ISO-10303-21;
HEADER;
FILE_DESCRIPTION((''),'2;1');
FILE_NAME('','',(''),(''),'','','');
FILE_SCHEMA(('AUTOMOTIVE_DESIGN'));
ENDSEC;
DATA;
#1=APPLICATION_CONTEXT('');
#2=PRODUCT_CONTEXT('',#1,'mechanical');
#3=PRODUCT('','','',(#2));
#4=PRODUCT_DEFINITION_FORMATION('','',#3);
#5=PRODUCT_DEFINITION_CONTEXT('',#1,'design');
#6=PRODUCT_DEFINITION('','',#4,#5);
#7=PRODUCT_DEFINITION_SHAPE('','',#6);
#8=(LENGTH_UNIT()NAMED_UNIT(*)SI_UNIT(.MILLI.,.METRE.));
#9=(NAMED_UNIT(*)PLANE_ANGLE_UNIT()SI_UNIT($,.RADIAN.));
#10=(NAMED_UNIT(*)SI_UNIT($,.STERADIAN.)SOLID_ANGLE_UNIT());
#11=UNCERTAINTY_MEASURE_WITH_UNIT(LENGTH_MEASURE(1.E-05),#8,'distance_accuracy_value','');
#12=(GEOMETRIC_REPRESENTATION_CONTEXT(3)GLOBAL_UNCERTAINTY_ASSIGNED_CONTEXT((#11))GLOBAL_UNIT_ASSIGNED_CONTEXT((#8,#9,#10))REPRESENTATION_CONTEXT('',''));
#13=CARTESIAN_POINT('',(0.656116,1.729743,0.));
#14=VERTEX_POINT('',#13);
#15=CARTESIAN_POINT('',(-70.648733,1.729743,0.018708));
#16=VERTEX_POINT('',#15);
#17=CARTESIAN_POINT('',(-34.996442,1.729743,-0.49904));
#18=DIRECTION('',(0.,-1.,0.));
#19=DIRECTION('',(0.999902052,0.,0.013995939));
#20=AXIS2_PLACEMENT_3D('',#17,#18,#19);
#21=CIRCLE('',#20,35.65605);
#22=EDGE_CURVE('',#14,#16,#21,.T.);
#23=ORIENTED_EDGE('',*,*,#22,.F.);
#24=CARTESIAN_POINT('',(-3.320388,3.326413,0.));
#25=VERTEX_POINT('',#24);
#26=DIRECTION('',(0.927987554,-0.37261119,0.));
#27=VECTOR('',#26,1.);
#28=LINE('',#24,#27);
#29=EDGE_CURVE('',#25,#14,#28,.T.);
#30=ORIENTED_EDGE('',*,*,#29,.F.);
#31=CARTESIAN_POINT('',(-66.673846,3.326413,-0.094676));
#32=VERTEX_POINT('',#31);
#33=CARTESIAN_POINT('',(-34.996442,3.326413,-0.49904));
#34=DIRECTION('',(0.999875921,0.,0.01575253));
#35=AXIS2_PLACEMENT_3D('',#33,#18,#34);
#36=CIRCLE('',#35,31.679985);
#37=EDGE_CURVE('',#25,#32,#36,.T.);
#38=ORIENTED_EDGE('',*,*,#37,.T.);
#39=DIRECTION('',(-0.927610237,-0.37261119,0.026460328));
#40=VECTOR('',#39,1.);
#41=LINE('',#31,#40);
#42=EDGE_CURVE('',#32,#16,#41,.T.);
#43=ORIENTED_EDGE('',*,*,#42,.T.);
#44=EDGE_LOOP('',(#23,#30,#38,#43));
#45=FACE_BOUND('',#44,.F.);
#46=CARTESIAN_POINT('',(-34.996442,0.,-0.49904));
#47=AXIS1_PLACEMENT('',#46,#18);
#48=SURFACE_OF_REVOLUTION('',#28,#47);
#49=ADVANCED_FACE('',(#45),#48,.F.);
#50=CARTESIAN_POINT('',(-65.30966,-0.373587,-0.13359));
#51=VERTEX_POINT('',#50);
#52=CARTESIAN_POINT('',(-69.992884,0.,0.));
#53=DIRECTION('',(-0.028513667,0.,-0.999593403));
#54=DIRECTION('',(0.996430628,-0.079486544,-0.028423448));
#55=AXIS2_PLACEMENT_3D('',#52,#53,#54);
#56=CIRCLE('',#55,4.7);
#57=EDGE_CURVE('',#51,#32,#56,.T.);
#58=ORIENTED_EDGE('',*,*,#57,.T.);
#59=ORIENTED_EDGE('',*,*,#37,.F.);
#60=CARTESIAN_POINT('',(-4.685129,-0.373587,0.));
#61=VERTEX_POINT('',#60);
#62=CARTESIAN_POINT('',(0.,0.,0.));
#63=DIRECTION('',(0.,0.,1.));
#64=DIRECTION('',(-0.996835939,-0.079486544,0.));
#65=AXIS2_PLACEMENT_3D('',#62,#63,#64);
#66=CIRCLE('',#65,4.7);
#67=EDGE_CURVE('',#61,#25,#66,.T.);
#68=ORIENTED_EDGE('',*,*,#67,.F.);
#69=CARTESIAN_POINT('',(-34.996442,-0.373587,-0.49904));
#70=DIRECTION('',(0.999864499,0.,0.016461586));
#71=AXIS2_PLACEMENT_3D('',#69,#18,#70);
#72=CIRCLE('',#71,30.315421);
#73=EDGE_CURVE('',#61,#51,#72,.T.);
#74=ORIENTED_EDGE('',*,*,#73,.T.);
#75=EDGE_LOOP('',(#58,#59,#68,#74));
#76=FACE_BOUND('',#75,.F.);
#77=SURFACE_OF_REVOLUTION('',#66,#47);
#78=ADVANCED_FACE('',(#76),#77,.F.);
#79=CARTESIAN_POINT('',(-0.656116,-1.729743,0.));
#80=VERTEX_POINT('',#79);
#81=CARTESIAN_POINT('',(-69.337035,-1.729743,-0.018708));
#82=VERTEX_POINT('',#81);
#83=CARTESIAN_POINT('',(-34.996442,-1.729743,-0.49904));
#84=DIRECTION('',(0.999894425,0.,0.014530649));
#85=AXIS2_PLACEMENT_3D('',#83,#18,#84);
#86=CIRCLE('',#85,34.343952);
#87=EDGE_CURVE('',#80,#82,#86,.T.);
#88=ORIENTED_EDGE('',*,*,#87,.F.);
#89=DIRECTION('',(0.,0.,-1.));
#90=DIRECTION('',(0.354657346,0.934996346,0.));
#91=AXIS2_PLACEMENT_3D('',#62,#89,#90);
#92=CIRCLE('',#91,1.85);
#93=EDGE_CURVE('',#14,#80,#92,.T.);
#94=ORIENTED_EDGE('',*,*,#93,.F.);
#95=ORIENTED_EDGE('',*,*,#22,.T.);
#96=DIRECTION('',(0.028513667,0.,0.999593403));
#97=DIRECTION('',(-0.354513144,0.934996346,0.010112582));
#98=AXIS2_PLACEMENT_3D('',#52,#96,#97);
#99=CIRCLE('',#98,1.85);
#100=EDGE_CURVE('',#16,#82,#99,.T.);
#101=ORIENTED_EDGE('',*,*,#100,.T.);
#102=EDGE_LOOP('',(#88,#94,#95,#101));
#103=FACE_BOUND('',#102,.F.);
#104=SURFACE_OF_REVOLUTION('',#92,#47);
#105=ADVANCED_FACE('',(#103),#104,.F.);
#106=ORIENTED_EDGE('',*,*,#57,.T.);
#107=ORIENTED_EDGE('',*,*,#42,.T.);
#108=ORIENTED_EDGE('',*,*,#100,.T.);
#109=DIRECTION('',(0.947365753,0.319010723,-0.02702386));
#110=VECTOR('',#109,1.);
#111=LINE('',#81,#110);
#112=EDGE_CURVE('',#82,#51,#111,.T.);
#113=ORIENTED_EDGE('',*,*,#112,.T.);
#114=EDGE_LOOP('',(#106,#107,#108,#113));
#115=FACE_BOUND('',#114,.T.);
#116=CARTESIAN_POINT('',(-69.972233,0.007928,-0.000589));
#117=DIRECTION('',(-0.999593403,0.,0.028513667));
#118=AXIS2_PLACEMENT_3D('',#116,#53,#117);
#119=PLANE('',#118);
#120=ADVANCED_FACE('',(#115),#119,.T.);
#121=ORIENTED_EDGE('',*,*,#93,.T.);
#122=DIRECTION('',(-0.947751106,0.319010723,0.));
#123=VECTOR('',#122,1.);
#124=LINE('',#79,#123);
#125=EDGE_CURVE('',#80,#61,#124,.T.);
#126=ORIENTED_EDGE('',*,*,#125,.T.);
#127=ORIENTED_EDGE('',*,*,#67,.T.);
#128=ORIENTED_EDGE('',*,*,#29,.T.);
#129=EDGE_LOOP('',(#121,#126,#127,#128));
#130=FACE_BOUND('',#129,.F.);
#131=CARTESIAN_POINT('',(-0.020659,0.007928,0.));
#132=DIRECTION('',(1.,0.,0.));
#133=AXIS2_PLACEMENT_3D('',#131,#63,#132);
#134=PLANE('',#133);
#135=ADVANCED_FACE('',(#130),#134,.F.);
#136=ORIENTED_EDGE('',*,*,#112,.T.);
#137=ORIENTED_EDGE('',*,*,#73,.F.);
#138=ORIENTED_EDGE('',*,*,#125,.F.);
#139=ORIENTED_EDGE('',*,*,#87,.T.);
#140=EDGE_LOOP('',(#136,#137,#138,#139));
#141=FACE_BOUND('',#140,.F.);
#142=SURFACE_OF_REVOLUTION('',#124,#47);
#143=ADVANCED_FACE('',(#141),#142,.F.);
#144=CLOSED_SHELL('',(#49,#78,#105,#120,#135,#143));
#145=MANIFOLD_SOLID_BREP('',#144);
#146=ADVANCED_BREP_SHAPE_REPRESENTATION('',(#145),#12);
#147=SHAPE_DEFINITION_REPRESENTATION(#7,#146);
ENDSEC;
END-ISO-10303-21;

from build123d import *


with BuildPart() as f2:
    # F2: sweep along a path in F1
    with BuildLine(Plane.XZ) as f2_path:
        ThreePointArc((0, 0), (-34.996442, 34.50096), (-69.992884, 0))
    # F0 (on Top) → F2 (sweep)
    with BuildSketch(Plane.XY):
        with BuildLine():
            Line((-0.656116, -1.729743), (-4.685129, -0.373587))
            ThreePointArc((-4.685129, -0.373587), (4.409601, -1.626476), (-3.320388, 3.326413))
            Line((-3.320388, 3.326413), (0.656116, 1.729743))
            ThreePointArc((0.656116, 1.729743), (1.729743, -0.656116), (-0.656116, -1.729743))
        make_face()
    sweep(path=f2_path.line)


solid = f2.part
